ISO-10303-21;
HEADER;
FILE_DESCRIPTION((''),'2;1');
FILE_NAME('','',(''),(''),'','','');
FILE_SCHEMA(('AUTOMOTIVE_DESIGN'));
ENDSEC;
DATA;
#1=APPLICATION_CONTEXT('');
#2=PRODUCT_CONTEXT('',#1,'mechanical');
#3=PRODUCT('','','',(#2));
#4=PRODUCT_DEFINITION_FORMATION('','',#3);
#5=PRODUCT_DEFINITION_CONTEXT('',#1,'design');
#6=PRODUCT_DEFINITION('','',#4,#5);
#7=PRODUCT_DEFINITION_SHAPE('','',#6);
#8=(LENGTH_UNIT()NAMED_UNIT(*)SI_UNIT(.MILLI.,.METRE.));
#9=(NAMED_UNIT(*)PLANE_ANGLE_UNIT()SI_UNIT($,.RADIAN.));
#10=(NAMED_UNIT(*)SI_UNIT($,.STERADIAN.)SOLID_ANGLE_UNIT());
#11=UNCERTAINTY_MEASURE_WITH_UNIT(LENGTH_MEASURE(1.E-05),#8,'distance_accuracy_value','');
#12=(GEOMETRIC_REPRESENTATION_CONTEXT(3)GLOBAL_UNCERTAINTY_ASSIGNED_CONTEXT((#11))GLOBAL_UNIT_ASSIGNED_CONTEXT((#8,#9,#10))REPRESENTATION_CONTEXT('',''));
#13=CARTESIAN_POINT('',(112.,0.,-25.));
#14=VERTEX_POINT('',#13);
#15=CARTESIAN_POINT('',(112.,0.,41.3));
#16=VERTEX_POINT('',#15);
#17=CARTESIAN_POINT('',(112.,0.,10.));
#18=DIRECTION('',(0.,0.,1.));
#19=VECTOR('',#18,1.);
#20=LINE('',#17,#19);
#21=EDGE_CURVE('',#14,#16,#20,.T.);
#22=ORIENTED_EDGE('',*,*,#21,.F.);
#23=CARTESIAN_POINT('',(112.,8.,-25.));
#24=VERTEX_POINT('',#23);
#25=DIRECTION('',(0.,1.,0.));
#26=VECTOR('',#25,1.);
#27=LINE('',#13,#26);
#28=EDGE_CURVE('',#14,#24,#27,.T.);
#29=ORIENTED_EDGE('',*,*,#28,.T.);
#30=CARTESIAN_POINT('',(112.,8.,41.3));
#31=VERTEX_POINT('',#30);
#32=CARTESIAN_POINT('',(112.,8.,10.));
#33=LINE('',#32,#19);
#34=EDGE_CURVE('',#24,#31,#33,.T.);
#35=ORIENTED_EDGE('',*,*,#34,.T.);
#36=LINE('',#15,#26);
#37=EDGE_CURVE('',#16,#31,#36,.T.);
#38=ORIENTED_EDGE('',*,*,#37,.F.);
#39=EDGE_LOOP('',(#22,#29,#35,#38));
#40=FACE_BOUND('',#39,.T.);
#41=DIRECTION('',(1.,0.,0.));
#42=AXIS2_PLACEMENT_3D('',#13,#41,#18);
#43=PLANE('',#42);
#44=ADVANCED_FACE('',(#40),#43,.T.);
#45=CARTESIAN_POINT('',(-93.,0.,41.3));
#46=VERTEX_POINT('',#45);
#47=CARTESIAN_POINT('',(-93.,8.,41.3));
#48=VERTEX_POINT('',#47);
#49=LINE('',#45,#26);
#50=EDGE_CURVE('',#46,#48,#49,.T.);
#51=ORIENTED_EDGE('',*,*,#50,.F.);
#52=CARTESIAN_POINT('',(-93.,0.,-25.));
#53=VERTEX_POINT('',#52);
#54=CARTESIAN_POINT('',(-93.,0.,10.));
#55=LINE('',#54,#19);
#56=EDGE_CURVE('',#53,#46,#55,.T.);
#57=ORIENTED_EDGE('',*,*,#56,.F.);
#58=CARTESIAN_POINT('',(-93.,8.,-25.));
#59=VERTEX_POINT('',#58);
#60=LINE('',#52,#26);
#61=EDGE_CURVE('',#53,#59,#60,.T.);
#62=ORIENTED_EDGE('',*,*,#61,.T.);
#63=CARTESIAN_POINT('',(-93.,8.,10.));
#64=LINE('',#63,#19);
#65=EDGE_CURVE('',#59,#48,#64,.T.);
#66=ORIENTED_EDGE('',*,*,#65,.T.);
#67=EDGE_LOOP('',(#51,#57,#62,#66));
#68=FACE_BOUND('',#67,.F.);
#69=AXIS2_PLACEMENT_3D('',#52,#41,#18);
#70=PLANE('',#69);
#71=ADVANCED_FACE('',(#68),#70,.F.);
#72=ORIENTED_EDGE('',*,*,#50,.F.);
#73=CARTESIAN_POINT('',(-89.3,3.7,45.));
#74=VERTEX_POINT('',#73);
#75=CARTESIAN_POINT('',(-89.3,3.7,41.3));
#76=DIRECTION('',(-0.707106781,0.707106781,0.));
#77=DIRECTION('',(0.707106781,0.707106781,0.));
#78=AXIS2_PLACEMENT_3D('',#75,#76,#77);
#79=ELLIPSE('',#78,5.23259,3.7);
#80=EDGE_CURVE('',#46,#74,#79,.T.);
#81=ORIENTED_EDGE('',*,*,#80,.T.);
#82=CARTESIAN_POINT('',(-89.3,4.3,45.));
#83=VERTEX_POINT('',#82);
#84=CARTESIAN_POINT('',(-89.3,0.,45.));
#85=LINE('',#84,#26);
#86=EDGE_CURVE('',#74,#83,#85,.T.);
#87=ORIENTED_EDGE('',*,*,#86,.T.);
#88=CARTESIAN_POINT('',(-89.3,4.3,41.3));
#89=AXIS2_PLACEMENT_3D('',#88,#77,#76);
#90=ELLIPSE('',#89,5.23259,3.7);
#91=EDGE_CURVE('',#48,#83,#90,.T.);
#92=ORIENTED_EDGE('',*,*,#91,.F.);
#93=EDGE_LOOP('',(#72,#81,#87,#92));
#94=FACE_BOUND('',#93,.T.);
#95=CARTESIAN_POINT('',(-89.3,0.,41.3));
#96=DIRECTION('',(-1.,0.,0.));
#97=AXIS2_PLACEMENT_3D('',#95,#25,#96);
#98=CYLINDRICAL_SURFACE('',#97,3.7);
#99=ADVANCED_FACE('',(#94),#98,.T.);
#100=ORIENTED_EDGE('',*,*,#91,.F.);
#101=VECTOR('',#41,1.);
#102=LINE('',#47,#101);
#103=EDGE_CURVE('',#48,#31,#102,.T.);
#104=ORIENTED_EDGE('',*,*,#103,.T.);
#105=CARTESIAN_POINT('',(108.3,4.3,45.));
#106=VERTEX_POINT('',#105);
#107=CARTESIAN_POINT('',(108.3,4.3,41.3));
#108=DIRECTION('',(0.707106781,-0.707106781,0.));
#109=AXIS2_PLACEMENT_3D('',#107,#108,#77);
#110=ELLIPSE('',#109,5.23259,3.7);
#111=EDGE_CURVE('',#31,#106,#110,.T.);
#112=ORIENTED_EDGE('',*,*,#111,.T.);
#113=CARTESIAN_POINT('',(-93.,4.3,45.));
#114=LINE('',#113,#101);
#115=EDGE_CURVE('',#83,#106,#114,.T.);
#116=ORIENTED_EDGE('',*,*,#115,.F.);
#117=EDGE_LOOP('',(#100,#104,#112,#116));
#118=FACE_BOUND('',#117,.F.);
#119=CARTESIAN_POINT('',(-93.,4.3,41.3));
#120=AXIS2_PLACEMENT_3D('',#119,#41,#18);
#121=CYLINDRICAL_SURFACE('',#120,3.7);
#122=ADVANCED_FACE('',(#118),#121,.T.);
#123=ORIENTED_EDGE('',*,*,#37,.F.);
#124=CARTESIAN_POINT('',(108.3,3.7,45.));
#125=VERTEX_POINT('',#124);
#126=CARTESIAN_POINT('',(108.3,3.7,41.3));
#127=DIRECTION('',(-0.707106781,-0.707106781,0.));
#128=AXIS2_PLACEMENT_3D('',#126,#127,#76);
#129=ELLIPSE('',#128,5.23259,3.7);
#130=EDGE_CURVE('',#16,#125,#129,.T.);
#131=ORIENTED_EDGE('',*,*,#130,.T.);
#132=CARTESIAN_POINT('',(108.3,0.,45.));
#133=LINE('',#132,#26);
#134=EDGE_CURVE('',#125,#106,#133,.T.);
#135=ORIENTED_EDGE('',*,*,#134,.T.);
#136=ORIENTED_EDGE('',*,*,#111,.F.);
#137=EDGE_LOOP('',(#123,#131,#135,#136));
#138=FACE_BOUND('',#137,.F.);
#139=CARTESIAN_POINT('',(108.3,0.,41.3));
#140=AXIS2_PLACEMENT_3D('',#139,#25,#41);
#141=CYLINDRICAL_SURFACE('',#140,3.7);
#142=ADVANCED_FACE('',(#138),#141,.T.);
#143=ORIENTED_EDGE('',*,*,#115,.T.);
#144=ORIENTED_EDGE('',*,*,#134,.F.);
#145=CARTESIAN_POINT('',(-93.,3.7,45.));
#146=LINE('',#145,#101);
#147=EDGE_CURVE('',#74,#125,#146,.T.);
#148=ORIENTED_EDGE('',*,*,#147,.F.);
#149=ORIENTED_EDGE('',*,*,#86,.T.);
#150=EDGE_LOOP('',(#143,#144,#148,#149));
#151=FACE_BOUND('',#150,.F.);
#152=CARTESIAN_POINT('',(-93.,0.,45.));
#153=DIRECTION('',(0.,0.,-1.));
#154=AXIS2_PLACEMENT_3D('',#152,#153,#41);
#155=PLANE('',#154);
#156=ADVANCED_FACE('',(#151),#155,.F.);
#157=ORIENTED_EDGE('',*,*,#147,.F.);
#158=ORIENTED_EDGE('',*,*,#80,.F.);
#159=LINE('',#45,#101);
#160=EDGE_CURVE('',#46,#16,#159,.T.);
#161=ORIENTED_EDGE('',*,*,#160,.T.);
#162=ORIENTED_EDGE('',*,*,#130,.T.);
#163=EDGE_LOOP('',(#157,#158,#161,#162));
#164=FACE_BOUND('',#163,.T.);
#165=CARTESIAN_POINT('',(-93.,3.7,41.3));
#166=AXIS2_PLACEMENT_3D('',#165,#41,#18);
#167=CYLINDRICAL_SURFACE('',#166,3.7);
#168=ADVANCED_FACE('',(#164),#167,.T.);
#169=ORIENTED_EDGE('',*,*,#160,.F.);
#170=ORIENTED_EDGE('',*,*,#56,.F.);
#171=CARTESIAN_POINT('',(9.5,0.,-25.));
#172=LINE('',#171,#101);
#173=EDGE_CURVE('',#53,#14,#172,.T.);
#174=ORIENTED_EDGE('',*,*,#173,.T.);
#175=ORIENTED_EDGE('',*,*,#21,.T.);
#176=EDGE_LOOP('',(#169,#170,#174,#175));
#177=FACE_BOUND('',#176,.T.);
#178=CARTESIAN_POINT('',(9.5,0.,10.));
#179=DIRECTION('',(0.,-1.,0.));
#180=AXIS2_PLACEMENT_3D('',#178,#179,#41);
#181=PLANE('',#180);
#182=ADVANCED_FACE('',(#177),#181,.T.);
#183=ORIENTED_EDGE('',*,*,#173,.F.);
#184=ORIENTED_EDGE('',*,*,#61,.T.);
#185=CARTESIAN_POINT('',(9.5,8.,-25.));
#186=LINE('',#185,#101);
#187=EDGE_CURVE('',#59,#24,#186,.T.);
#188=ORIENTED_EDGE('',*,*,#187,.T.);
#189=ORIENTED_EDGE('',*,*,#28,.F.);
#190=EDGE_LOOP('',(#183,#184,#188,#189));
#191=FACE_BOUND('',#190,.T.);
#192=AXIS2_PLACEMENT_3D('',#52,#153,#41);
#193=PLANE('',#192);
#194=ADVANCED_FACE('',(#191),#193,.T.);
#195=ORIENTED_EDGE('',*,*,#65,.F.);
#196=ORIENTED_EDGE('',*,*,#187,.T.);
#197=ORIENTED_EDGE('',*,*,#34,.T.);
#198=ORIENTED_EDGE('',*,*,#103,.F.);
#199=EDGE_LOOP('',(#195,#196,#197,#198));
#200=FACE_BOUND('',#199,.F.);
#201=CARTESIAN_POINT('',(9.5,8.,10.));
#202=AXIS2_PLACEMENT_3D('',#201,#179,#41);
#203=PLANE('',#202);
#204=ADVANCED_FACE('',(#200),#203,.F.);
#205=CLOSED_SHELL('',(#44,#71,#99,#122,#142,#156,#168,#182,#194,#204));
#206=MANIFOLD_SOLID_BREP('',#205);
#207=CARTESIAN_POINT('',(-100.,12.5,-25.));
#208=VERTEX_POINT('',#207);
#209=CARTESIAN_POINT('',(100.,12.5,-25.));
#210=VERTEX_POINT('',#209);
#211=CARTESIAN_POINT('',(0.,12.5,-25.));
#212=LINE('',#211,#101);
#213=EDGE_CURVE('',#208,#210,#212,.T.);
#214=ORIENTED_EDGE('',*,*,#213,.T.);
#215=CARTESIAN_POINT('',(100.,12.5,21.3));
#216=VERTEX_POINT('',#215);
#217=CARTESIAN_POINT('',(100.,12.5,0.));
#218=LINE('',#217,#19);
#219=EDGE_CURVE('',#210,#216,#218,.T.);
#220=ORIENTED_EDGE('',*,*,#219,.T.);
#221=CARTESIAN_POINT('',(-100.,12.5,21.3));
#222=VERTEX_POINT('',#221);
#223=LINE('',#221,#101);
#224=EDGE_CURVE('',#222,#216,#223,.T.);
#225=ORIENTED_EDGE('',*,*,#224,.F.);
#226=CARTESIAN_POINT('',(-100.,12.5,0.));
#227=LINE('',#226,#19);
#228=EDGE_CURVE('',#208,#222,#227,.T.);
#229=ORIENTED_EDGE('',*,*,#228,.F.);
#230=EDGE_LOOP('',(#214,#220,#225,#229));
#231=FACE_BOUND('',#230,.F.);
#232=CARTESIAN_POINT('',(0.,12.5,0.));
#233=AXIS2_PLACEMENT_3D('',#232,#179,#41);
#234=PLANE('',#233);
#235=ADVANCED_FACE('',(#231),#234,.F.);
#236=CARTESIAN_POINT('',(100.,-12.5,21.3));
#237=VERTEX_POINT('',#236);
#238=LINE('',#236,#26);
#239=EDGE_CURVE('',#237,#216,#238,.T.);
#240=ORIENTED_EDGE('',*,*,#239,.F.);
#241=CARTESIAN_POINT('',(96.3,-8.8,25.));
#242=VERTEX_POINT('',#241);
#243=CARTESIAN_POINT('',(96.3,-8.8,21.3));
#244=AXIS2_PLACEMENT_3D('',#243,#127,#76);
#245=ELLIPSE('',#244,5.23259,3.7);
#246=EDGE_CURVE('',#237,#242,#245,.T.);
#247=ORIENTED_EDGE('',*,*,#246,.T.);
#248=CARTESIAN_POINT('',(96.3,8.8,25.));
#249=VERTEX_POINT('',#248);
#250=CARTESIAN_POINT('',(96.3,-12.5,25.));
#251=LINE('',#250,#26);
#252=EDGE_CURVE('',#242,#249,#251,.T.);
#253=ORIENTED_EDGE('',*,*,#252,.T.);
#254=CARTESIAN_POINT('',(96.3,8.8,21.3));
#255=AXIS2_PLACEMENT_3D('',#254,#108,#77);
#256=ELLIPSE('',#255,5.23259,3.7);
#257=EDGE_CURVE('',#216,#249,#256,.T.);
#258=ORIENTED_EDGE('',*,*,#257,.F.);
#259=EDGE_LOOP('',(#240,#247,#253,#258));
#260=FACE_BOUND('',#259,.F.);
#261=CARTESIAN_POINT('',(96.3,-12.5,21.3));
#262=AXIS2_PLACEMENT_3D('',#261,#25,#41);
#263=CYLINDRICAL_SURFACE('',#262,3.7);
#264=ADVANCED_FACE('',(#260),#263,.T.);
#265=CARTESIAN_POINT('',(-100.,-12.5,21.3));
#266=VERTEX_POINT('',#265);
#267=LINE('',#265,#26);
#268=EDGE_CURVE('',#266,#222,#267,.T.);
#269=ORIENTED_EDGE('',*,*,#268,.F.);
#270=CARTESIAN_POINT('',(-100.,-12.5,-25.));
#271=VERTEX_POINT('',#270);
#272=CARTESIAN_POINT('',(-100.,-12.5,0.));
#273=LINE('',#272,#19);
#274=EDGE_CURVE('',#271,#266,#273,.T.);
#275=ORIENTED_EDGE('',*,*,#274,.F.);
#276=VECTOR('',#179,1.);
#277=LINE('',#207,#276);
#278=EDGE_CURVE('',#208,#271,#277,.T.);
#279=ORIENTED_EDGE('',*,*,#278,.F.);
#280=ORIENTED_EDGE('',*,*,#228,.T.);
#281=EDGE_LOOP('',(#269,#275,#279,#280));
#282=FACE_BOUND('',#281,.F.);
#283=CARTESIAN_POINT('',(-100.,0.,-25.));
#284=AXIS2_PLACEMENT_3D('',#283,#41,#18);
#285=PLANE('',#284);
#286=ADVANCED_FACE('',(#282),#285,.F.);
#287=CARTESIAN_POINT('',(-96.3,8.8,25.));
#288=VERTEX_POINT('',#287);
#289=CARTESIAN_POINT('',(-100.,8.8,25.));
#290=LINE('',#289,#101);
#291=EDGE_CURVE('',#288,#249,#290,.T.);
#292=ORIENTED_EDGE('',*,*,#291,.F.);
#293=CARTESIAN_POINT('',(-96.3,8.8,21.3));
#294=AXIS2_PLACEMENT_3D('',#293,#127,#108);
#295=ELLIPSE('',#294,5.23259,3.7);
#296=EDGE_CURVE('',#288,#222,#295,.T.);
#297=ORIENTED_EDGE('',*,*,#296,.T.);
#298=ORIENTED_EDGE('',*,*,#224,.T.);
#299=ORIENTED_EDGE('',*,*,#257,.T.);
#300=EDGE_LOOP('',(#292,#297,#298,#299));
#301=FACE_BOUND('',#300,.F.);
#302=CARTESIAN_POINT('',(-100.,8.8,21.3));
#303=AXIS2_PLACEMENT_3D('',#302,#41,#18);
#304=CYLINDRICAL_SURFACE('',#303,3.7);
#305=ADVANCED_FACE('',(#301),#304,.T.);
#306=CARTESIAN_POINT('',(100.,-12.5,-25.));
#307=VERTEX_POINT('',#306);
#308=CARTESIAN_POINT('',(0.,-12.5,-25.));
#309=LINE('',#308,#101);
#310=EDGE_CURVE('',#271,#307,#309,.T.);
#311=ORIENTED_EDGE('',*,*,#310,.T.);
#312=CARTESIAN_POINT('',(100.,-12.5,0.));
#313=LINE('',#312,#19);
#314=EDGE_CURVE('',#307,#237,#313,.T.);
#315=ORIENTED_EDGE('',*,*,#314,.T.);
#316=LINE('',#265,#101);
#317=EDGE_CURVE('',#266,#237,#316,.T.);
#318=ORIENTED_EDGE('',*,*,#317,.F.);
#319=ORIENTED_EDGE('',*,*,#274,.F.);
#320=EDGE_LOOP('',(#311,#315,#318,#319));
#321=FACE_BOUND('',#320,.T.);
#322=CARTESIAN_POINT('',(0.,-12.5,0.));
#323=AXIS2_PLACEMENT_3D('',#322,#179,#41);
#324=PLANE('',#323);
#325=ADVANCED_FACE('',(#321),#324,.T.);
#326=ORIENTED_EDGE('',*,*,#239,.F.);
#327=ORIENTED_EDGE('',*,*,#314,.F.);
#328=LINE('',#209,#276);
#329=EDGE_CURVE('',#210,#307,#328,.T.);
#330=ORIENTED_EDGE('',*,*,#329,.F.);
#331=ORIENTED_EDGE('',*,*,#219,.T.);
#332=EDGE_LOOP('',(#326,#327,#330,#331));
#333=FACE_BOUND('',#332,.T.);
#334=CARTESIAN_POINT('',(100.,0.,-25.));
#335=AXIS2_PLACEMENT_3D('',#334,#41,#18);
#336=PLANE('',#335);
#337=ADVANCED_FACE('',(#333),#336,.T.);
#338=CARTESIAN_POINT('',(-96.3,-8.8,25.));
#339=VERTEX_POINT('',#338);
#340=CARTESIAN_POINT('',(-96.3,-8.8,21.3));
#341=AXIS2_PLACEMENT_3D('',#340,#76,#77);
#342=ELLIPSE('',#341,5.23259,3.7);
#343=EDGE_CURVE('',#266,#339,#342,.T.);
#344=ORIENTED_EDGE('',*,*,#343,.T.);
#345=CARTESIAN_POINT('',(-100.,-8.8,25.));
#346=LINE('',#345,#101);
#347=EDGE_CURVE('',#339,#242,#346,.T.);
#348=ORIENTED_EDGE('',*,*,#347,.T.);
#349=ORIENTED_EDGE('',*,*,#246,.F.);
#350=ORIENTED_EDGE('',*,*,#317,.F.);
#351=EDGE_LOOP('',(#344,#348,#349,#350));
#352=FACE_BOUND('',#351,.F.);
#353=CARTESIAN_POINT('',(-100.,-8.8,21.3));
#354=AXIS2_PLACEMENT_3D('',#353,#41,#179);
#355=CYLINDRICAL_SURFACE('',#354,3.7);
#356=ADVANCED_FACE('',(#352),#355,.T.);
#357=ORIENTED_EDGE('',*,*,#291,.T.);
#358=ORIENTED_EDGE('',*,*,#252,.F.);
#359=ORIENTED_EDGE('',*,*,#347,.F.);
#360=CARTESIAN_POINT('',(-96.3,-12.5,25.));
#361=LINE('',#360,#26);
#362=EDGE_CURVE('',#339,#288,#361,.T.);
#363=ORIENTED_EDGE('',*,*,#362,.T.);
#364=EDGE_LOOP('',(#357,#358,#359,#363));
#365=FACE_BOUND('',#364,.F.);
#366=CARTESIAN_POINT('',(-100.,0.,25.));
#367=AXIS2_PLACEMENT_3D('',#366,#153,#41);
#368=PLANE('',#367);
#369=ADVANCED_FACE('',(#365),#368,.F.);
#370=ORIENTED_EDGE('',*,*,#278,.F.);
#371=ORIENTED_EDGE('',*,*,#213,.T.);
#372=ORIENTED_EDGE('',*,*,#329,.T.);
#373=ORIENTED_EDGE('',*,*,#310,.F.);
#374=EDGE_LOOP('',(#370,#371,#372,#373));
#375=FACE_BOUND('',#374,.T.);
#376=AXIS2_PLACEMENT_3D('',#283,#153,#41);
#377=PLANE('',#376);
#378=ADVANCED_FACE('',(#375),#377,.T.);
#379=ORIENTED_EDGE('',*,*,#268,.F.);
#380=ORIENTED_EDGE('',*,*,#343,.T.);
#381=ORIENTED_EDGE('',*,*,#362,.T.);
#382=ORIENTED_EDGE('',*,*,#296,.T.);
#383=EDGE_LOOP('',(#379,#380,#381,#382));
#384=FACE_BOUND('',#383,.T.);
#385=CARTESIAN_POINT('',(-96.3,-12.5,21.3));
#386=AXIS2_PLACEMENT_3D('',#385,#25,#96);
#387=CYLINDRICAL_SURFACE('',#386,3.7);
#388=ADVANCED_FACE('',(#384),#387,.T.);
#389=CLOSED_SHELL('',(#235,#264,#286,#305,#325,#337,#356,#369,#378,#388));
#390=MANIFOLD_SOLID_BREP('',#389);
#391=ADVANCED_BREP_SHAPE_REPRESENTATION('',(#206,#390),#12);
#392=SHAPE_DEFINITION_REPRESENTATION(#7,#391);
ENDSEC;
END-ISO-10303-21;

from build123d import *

# Parameters (mm, degrees)
F0_W     = 200
F0_H     = 50
F1_DEPTH = 12.5
F2_W     = 205
F2_H     = 70
F3_DEPTH = 8
F4_R     = 3.7
F4_2_R   = 3.7


with BuildPart() as f1:
    # F0 (on Front) → F1 (new body, symmetric)
    with BuildSketch(Plane.XZ):
        Rectangle(F0_W, F0_H)
    extrude(amount=F1_DEPTH, both=True)

    # F4#2
    f4_2_edges = [f1.edges().sort_by_distance(p)[0] for p in [
        (100, 0, 25),
        (0, 12.5, 25),
        (-100, 0, 25),
        (0, -12.5, 25),
    ]]
    fillet(f4_2_edges, radius=F4_2_R)


with BuildPart() as f3:
    # F2 (on Front) → F3 (new body)
    with BuildSketch(Plane.XZ):
        with Locations((9.5, 10)):
            Rectangle(F2_W, F2_H)
    extrude(amount=-F3_DEPTH)

    # F4
    f4_edges = [f3.edges().sort_by_distance(p)[0] for p in [
        (112, 4, 45),
        (-93, 4, 45),
        (9.5, 0, 45),
        (9.5, 8, 45),
    ]]
    fillet(f4_edges, radius=F4_R)


solid = Compound([f1.part, f3.part])
